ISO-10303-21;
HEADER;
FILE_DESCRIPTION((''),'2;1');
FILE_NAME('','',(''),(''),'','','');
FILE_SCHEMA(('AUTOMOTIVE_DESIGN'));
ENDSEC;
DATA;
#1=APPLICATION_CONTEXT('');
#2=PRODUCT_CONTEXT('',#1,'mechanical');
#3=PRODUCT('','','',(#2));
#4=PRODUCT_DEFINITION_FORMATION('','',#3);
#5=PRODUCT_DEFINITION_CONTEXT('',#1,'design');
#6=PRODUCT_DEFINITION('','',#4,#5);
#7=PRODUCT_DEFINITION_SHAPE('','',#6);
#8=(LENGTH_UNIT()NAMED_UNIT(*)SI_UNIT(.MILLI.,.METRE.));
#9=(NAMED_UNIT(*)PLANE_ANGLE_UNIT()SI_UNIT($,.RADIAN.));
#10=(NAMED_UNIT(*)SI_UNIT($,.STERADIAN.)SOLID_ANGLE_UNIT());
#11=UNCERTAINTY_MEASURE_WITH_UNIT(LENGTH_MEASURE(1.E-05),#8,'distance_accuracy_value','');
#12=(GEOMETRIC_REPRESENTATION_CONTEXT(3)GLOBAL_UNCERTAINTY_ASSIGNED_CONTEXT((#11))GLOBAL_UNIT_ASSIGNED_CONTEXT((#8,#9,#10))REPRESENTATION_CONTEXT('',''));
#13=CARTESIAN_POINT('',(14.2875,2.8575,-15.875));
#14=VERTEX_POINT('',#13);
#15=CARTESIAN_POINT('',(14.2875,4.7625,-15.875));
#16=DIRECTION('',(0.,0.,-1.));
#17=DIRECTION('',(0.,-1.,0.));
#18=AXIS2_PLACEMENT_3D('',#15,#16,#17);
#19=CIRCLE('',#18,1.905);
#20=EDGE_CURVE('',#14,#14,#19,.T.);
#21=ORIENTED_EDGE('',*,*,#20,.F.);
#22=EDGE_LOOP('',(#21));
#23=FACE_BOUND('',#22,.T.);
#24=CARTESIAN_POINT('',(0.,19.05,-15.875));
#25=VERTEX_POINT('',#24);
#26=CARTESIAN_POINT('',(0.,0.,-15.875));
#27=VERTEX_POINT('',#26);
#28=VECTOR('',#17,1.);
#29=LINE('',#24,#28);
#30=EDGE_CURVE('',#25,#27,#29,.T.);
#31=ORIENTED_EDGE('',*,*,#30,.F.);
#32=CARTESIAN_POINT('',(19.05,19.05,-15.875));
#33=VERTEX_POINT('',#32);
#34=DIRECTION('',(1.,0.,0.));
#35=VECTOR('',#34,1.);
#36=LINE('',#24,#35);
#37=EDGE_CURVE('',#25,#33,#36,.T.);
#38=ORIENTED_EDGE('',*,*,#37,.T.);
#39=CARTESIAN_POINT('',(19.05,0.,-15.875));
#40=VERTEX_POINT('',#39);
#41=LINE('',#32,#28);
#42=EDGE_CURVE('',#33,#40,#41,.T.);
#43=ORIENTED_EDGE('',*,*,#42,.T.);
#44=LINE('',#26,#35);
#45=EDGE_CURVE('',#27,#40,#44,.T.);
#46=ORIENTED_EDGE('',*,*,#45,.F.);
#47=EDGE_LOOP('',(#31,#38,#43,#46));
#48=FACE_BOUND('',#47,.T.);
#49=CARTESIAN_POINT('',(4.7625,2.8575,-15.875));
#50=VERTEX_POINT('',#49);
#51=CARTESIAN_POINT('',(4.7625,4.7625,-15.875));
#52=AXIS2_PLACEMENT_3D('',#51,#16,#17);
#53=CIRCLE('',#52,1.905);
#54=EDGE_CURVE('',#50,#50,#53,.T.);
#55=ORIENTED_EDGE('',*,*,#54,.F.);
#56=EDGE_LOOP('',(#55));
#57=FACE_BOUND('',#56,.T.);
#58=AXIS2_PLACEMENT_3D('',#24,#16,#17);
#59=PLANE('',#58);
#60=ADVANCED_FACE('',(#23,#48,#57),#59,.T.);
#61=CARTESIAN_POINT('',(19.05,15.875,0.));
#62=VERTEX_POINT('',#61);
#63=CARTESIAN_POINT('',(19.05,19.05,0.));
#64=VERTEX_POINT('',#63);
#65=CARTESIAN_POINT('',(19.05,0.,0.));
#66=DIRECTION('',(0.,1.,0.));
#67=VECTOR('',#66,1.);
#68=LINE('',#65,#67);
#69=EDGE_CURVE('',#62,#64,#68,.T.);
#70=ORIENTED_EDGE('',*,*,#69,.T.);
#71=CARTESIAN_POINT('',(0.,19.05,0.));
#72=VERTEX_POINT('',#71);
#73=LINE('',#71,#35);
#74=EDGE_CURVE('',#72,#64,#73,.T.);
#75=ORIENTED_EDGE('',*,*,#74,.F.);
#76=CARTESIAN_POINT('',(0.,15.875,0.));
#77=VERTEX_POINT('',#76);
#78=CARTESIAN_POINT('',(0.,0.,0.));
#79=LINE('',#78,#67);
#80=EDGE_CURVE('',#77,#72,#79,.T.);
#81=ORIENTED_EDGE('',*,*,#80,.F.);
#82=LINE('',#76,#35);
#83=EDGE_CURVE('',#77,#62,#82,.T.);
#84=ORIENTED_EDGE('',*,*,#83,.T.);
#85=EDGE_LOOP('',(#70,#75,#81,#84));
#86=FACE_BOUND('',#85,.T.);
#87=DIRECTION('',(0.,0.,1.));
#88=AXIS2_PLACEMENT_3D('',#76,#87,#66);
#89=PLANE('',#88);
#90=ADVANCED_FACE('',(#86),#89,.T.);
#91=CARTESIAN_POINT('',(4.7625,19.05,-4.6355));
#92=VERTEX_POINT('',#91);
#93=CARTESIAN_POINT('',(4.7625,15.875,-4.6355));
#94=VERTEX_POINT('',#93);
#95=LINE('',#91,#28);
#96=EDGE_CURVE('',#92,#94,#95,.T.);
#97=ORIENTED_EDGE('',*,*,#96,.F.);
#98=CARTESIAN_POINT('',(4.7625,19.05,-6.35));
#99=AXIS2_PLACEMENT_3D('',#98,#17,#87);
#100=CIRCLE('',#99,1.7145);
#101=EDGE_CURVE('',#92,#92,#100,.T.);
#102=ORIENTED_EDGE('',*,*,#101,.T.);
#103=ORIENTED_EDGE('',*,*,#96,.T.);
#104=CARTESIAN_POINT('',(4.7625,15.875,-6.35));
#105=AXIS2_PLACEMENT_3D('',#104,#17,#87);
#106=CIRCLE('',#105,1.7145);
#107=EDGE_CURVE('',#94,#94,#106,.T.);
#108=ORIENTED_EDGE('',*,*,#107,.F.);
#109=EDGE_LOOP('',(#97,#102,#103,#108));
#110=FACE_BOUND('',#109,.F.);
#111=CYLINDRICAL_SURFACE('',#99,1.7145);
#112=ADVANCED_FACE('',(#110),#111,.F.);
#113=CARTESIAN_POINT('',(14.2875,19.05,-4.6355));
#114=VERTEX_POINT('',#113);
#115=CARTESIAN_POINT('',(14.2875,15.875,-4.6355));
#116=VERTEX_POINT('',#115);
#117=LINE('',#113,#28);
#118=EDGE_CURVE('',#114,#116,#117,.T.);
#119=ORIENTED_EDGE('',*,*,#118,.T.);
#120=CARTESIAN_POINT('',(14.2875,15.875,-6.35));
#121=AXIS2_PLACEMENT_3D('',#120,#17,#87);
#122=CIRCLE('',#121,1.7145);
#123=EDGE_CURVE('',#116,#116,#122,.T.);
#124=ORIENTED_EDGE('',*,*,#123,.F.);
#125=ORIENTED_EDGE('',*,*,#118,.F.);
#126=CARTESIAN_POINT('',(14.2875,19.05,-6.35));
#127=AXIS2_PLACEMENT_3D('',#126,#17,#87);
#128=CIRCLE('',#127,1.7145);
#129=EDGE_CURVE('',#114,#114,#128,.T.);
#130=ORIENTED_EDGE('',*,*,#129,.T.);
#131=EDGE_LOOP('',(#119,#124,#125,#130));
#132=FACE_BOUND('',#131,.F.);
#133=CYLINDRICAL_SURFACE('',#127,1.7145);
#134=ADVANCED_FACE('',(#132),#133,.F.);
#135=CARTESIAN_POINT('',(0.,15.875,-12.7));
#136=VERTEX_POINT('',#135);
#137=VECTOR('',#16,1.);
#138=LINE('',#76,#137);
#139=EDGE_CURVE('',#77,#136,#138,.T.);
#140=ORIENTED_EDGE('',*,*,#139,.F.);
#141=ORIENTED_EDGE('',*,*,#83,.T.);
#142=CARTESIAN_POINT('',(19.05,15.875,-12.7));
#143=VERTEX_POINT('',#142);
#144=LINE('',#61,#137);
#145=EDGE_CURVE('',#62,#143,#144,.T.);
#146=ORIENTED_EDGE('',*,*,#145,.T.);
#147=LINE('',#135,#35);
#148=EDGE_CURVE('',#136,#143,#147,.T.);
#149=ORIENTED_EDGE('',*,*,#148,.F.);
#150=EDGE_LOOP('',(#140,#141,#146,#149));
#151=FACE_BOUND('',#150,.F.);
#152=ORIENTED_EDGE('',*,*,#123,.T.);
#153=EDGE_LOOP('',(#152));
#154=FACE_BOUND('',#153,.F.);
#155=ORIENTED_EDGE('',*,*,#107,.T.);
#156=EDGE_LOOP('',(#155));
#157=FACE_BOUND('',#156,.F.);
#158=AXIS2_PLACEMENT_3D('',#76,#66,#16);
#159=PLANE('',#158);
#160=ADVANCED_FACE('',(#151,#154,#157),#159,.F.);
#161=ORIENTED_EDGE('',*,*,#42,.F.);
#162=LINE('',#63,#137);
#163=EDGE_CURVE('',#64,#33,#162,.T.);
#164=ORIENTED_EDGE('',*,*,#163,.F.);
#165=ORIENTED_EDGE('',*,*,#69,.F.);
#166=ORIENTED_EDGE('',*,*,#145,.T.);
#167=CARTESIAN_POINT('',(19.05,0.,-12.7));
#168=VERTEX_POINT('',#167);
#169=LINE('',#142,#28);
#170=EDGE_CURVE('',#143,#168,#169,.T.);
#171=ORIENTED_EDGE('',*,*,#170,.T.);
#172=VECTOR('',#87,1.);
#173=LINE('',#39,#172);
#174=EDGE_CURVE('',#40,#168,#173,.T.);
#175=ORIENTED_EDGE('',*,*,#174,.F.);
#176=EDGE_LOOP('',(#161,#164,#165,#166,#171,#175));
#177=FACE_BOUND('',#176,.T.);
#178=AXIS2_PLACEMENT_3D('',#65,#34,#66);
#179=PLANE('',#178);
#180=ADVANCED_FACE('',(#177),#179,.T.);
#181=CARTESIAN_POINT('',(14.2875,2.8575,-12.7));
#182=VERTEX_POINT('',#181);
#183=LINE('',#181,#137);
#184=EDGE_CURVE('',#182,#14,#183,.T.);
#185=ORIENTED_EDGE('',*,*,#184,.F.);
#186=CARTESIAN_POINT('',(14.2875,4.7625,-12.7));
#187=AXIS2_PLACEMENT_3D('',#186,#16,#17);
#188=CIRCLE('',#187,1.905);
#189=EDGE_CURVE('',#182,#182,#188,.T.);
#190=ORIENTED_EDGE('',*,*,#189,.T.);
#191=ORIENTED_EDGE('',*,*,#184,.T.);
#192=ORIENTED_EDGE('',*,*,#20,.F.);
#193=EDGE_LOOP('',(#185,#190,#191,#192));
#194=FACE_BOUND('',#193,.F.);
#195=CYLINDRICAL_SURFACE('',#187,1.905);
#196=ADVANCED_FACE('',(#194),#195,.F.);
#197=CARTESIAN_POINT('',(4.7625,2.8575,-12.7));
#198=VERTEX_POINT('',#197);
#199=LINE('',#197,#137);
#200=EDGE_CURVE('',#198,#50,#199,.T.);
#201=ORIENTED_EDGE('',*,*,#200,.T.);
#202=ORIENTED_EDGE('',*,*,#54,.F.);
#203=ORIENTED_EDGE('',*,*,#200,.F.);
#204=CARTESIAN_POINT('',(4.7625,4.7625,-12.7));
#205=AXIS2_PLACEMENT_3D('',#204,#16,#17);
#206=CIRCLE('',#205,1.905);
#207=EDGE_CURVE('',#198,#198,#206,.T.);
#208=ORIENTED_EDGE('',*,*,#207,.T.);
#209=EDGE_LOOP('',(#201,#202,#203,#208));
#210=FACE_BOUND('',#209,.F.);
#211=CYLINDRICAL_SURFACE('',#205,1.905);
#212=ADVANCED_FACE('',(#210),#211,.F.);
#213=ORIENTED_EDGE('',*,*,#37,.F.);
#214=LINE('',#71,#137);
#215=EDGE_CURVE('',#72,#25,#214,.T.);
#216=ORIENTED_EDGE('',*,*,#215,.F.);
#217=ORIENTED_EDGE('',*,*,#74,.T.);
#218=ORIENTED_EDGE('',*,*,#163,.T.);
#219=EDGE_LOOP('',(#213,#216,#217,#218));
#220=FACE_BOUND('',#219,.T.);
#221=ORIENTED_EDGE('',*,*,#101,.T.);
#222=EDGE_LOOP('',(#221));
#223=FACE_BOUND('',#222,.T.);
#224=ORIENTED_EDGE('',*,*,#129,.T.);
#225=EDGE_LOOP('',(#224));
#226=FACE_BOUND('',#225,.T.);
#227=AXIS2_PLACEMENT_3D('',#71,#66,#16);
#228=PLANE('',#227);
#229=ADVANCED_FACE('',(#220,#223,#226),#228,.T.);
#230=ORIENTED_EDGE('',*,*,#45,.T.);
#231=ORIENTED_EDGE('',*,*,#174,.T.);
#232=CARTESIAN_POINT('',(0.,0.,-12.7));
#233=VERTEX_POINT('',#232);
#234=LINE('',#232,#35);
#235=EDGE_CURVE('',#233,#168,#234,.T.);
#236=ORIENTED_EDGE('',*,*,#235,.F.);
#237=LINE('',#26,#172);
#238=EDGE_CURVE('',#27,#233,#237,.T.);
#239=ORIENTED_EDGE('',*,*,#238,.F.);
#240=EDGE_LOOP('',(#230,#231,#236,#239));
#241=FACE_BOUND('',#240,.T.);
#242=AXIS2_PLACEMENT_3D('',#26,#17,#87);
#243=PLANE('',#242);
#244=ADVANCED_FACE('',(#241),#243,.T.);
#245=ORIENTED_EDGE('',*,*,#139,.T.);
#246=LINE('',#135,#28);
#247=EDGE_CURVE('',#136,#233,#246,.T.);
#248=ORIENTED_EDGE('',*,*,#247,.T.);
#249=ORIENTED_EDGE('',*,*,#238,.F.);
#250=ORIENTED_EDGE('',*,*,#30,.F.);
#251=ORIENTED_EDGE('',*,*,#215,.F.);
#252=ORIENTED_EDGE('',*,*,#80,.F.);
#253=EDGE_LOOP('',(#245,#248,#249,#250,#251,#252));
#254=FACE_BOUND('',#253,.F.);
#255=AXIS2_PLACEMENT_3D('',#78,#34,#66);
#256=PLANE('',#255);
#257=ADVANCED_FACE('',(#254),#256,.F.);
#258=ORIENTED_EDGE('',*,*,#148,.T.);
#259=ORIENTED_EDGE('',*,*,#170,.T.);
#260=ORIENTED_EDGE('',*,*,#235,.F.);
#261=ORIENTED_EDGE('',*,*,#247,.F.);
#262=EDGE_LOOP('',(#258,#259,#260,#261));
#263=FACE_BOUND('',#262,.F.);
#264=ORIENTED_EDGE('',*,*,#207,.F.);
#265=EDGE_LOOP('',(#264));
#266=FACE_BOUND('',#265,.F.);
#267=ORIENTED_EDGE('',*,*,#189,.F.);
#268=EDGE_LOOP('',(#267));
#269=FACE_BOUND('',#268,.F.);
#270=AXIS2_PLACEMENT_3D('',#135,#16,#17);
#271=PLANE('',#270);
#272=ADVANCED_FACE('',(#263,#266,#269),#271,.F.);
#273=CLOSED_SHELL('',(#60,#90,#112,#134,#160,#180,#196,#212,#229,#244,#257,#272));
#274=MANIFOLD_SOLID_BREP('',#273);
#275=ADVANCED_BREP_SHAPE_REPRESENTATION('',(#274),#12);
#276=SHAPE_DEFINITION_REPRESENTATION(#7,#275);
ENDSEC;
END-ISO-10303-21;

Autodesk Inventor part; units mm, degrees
ref_plane "YZ Plane" through (0, 0, 0) normal (1, 0, 0) x (0, 1, 0)
ref_plane "XZ Plane" through (0, 0, 0) normal (0, 1, 0) x (-1, 0, 0)
ref_plane "XY Plane" through (0, 0, 0) normal (0, 0, 1) x (1, 0, 0)
sketch "Sketch1" plane through (0, 0, 0) normal (1, 0, 0) x (0, 1, 0)
  line L0 (0, 0) -> (19.05, 0)
  line L1 (19.05, 0) -> (19.05, -15.875)
  line L2 (19.05, -15.875) -> (0, -15.875)
  line L3 (0, -15.875) -> (0, 0)
  line L4 (0, 0) -> (15.875, 0)
  line L5 (15.875, 0) -> (15.875, -12.7)
  line L6 (15.875, -12.7) -> (0, -12.7)
  line L7 (0, -12.7) -> (0, 0)
  dimension "d0" = 19.05
  dimension "d1" = 15.875
  dimension "d2" = 15.875
  dimension "d3" = 12.7
extrude "Extrusion1" add sketch "Sketch1" along normal blind 19.05 contours L0 L1 L2 L3 L6 L5
sketch "Sketch2" plane through (0, 19.05, 0) normal (0, 1, 0) x (1, 0, 0)
  line L0 (0, 15.875) -> (0, 0) projected
  line L1 (0, 0) -> (19.05, 0) projected
  line L2 (19.05, 15.875) -> (19.05, 0) projected
  line L3 (0, 15.875) -> (19.05, 15.875) projected
  point P0 (0, 0)
  point P1 (4.7625, 6.35)
  point P2 (14.2875, 6.35)
  dimension "d6" = 9.525
  dimension "d7" = 4.7625
  dimension "d8" = 15.875
  dimension "d18" = 9.525
  dimension "d19" = 9.525
  dimension "d31" = 19.05
hole "Hole1" at (4.7625, 19.05, -6.35) at (14.2875, 19.05, -6.35) direction (0, -1, 0) diameter 3.429 end through all
sketch "Sketch3" plane through (0, 0, -12.7) normal (0, 0, 1) x (1, 0, 0)
  line L0 (0, 0) -> (0, 15.875) projected
  line L1 (19.05, 0) -> (0, 0) projected
  line L2 (19.05, 15.875) -> (19.05, 0) projected
  line L3 (0, 15.875) -> (19.05, 15.875) projected
  point P0 (0, 0)
  point P1 (4.7625, 4.7625)
  point P2 (14.2875, 4.7625)
  dimension "d20" = 9.525
  dimension "d21" = 4.7625
  dimension "d22" = 4.7625
  dimension "d23" = 4.7625
  dimension "d32" = 19.05
hole "Hole2" at (4.7625, 4.7625, -12.7) at (14.2875, 4.7625, -12.7) direction (0, 0, -1) diameter 3.81 end through all
equation "\"d7\" = -0.5 * d6 + 0.5 * d31"
equation "\"d21\" = -0.5 * d20 + 0.5 * d32"
equation "\"d23\" = d22"
properties part number "TensionerPlate3" material "ABS Plastic"
